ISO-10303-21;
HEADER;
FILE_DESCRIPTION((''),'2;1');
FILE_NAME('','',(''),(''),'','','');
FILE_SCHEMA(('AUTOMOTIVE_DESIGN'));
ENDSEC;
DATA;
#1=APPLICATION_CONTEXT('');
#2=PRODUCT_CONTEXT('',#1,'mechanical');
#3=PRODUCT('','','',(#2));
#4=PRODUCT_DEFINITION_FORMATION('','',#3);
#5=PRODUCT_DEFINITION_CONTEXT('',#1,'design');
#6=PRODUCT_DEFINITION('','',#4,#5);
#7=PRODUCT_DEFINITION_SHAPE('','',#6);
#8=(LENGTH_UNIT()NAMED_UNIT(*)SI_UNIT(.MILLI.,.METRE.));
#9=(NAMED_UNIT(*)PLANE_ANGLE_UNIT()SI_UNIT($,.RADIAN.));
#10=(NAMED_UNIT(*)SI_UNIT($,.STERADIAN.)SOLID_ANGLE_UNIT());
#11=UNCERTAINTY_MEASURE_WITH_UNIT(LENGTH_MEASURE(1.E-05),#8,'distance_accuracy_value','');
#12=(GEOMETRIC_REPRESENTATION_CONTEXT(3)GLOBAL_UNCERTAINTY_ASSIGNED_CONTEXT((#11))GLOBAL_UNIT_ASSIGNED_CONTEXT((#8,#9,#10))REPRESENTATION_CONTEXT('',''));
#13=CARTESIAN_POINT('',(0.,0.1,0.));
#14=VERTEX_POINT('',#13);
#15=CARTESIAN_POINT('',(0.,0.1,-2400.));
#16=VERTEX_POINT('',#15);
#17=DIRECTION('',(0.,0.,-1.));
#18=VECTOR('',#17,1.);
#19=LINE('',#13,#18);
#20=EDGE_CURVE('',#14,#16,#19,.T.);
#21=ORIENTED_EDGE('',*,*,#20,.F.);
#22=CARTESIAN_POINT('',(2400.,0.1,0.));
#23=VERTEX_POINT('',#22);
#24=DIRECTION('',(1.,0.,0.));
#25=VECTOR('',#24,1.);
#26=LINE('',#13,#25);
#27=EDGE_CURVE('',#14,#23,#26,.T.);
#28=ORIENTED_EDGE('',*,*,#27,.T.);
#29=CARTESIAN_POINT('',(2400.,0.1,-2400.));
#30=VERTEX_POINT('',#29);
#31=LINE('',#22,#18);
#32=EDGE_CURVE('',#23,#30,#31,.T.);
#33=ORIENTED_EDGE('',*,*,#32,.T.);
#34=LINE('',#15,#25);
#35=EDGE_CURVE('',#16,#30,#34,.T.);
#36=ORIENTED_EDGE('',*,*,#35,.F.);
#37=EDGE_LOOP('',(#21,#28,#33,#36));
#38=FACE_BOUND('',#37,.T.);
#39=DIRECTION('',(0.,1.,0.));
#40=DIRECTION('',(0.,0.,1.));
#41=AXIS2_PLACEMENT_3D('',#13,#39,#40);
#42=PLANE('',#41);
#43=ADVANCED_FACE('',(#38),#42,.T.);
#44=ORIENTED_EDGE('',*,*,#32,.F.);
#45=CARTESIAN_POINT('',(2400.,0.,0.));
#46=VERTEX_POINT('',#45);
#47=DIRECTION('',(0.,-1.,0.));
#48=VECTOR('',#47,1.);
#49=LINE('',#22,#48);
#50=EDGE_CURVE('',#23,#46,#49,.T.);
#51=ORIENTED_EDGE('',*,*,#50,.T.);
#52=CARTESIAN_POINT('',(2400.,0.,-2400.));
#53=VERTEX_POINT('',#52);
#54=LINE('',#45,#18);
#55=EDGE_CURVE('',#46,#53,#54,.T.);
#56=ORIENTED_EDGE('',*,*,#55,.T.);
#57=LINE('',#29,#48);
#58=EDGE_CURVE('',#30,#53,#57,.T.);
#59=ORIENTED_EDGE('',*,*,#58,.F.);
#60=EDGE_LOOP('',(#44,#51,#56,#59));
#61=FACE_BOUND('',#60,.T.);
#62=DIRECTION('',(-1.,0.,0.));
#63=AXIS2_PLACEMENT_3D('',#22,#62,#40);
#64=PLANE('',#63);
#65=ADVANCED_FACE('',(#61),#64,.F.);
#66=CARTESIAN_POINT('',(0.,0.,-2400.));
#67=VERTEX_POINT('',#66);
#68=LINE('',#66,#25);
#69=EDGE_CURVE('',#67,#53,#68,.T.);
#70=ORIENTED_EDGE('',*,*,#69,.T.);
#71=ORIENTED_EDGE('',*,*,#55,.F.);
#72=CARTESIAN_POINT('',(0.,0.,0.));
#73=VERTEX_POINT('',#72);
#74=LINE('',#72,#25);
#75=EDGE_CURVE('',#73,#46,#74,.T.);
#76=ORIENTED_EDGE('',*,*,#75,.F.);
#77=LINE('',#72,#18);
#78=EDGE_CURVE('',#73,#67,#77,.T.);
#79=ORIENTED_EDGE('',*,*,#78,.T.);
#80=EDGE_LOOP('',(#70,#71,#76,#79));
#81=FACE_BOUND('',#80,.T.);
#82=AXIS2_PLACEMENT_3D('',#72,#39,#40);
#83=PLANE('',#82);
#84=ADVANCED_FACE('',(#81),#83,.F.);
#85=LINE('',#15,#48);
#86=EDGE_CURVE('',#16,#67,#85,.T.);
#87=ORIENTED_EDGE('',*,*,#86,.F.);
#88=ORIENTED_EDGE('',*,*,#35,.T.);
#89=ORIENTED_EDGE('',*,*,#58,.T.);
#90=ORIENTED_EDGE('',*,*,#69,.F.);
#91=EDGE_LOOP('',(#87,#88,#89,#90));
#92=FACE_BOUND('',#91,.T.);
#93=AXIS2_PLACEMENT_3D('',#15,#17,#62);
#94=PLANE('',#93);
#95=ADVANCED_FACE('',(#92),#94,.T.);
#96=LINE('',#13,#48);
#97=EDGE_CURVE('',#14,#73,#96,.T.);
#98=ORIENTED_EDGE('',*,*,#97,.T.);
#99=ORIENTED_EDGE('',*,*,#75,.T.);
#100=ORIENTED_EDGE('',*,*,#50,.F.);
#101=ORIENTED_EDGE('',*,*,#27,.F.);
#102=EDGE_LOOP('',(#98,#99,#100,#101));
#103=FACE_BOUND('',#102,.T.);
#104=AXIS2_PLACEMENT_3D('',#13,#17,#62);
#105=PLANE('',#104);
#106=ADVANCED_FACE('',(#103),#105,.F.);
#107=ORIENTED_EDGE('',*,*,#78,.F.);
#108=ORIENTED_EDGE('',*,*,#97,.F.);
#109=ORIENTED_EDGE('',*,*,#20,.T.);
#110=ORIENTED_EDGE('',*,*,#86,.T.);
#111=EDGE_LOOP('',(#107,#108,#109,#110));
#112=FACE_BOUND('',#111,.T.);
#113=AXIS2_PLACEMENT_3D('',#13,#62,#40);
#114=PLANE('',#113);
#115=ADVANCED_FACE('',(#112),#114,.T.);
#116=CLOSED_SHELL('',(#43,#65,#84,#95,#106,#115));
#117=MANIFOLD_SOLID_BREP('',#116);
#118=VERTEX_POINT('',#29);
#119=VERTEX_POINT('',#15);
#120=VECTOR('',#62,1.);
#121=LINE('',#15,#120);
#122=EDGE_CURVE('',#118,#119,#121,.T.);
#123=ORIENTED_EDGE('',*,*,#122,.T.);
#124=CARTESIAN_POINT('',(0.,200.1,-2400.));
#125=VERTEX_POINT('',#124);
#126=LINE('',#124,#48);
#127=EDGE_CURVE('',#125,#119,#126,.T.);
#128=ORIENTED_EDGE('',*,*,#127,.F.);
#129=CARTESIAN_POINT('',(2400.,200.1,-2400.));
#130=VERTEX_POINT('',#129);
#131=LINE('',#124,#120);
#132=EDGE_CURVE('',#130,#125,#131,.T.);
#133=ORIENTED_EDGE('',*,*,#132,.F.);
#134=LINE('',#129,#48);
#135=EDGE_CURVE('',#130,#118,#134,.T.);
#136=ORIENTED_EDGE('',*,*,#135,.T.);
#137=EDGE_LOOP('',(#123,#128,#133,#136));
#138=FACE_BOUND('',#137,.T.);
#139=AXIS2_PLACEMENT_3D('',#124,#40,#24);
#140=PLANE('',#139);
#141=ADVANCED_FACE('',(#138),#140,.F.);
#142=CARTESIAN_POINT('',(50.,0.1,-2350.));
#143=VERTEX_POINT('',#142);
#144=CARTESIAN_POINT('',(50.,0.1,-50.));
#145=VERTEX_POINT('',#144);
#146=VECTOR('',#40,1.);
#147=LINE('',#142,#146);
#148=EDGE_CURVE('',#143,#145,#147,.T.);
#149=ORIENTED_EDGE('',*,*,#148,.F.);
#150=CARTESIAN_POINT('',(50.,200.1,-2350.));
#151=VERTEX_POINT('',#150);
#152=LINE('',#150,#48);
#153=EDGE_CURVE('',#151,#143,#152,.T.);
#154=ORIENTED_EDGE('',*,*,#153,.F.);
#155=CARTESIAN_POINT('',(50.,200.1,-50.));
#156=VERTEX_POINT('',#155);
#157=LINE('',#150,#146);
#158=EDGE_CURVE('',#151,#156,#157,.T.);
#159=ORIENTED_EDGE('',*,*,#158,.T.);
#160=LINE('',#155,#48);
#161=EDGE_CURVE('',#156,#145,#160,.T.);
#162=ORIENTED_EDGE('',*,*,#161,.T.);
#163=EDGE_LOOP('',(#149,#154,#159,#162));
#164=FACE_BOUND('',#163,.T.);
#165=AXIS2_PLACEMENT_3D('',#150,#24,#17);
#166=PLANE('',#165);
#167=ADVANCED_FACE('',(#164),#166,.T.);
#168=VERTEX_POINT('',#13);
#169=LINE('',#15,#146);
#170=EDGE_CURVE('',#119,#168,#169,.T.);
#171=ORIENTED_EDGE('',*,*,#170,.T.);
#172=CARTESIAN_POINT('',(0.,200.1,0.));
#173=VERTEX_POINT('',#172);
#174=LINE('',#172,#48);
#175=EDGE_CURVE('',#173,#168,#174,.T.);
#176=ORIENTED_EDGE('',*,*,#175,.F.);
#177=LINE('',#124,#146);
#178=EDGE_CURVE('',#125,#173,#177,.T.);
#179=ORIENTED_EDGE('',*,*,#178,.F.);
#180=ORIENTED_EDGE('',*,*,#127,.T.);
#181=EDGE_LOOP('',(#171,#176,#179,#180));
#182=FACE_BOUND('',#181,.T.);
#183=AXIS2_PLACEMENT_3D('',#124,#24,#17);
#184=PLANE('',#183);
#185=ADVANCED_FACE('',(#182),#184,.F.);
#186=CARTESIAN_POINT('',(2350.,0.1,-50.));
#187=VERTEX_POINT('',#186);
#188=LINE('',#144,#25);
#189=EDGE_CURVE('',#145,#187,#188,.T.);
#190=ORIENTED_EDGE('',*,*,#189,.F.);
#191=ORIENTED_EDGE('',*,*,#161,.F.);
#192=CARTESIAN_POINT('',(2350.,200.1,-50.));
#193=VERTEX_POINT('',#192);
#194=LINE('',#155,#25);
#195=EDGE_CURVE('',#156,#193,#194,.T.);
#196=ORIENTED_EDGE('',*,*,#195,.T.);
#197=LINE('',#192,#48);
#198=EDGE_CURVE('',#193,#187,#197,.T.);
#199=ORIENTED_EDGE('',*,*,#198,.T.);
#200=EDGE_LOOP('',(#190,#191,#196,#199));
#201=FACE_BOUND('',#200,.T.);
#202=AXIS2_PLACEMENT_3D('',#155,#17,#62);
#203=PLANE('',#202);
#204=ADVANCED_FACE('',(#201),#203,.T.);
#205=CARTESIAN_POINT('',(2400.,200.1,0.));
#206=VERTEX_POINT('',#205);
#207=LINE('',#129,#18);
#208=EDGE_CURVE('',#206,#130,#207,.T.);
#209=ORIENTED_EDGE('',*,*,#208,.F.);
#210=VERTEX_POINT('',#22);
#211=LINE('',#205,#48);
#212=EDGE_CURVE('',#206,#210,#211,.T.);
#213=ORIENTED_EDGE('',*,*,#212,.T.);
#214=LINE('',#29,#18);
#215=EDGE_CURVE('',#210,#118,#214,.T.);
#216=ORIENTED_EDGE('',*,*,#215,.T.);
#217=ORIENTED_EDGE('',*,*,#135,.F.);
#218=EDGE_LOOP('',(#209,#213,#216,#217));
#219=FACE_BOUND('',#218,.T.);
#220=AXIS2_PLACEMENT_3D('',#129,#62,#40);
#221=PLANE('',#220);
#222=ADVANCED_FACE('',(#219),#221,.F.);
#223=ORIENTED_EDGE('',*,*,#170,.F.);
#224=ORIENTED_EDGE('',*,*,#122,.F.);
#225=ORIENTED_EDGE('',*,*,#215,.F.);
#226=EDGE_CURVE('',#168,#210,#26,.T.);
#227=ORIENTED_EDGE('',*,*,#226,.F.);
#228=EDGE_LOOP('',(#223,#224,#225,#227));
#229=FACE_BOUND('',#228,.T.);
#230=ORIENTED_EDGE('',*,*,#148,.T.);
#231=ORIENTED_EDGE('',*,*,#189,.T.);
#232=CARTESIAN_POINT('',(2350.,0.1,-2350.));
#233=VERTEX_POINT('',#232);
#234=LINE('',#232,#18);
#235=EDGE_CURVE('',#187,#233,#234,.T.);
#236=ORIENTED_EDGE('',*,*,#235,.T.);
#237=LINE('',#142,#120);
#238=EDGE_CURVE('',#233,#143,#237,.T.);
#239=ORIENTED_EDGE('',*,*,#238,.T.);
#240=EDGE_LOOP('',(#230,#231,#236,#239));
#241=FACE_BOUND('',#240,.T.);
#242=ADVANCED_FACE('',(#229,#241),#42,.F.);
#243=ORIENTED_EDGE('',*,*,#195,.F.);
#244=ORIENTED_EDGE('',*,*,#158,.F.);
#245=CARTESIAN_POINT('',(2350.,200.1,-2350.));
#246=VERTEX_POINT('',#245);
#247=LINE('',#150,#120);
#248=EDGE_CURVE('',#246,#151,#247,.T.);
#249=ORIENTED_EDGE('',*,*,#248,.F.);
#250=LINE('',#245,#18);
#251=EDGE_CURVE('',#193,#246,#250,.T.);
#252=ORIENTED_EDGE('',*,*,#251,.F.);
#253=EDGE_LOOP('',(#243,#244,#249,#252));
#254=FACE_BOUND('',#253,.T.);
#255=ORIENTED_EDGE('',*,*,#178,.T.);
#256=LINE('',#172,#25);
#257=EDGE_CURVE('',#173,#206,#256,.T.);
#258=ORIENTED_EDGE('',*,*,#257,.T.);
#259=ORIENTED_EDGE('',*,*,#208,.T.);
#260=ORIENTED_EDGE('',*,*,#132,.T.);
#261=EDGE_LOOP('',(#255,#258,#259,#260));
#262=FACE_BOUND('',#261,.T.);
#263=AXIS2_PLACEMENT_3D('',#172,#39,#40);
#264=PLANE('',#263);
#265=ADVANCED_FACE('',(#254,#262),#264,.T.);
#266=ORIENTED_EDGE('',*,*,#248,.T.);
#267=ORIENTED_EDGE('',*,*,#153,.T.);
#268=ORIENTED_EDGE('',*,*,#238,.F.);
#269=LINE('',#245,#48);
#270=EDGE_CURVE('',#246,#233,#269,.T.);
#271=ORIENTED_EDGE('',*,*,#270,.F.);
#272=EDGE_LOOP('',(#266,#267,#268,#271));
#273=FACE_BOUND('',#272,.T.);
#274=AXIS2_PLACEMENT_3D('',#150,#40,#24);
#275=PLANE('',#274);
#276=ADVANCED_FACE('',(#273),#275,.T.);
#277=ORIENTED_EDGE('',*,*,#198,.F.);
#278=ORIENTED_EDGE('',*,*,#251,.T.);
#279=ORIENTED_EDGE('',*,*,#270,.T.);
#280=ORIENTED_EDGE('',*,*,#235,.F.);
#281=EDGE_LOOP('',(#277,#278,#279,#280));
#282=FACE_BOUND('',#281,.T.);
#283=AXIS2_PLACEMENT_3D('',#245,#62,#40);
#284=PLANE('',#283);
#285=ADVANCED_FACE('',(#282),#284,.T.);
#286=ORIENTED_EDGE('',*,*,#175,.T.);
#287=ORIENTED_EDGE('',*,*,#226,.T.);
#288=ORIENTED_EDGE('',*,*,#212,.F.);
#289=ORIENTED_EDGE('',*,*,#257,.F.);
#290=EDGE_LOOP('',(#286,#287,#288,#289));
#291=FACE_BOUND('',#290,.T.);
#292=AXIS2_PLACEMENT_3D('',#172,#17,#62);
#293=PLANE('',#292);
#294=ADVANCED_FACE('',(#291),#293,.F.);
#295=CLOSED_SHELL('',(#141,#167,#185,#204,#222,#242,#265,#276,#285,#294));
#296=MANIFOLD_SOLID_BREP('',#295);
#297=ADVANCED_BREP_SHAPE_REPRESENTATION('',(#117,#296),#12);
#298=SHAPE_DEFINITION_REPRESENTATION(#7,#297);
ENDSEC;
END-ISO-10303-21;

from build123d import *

# Parameters (mm, degrees)
SKETCH1_W           = 2400
SKETCH1_H           = 2400
BOSS_EXTRUDE1_DEPTH = 0.1
SKETCH2_W           = 2400
SKETCH2_H           = 2400
SKETCH2_W_2         = 2300
SKETCH2_H_2         = 2300
BOSS_EXTRUDE3_DEPTH = 200


with BuildPart() as part:
    # Sketch1 → Boss-Extrude1 (new body)
    with BuildSketch(Plane(origin=(0, 0, 0), x_dir=(1, 0, 0), z_dir=(0, 1, 0))):
        with Locations((1200, 1200)):
            Rectangle(SKETCH1_W, SKETCH1_H)
    extrude(amount=BOSS_EXTRUDE1_DEPTH)


with BuildPart() as body_2:
    # Sketch2 → Boss-Extrude3 (new body)
    with BuildSketch(Plane(origin=(0, 0.1, 0), x_dir=(1, 0, 0), z_dir=(0, 1, 0))):
        with Locations((1200, 1200)):
            Rectangle(SKETCH2_W, SKETCH2_H)
        with Locations((1200, 1200)):
            Rectangle(SKETCH2_W_2, SKETCH2_H_2, mode=Mode.SUBTRACT)
    extrude(amount=BOSS_EXTRUDE3_DEPTH)


solid = Compound([part.part, body_2.part])
